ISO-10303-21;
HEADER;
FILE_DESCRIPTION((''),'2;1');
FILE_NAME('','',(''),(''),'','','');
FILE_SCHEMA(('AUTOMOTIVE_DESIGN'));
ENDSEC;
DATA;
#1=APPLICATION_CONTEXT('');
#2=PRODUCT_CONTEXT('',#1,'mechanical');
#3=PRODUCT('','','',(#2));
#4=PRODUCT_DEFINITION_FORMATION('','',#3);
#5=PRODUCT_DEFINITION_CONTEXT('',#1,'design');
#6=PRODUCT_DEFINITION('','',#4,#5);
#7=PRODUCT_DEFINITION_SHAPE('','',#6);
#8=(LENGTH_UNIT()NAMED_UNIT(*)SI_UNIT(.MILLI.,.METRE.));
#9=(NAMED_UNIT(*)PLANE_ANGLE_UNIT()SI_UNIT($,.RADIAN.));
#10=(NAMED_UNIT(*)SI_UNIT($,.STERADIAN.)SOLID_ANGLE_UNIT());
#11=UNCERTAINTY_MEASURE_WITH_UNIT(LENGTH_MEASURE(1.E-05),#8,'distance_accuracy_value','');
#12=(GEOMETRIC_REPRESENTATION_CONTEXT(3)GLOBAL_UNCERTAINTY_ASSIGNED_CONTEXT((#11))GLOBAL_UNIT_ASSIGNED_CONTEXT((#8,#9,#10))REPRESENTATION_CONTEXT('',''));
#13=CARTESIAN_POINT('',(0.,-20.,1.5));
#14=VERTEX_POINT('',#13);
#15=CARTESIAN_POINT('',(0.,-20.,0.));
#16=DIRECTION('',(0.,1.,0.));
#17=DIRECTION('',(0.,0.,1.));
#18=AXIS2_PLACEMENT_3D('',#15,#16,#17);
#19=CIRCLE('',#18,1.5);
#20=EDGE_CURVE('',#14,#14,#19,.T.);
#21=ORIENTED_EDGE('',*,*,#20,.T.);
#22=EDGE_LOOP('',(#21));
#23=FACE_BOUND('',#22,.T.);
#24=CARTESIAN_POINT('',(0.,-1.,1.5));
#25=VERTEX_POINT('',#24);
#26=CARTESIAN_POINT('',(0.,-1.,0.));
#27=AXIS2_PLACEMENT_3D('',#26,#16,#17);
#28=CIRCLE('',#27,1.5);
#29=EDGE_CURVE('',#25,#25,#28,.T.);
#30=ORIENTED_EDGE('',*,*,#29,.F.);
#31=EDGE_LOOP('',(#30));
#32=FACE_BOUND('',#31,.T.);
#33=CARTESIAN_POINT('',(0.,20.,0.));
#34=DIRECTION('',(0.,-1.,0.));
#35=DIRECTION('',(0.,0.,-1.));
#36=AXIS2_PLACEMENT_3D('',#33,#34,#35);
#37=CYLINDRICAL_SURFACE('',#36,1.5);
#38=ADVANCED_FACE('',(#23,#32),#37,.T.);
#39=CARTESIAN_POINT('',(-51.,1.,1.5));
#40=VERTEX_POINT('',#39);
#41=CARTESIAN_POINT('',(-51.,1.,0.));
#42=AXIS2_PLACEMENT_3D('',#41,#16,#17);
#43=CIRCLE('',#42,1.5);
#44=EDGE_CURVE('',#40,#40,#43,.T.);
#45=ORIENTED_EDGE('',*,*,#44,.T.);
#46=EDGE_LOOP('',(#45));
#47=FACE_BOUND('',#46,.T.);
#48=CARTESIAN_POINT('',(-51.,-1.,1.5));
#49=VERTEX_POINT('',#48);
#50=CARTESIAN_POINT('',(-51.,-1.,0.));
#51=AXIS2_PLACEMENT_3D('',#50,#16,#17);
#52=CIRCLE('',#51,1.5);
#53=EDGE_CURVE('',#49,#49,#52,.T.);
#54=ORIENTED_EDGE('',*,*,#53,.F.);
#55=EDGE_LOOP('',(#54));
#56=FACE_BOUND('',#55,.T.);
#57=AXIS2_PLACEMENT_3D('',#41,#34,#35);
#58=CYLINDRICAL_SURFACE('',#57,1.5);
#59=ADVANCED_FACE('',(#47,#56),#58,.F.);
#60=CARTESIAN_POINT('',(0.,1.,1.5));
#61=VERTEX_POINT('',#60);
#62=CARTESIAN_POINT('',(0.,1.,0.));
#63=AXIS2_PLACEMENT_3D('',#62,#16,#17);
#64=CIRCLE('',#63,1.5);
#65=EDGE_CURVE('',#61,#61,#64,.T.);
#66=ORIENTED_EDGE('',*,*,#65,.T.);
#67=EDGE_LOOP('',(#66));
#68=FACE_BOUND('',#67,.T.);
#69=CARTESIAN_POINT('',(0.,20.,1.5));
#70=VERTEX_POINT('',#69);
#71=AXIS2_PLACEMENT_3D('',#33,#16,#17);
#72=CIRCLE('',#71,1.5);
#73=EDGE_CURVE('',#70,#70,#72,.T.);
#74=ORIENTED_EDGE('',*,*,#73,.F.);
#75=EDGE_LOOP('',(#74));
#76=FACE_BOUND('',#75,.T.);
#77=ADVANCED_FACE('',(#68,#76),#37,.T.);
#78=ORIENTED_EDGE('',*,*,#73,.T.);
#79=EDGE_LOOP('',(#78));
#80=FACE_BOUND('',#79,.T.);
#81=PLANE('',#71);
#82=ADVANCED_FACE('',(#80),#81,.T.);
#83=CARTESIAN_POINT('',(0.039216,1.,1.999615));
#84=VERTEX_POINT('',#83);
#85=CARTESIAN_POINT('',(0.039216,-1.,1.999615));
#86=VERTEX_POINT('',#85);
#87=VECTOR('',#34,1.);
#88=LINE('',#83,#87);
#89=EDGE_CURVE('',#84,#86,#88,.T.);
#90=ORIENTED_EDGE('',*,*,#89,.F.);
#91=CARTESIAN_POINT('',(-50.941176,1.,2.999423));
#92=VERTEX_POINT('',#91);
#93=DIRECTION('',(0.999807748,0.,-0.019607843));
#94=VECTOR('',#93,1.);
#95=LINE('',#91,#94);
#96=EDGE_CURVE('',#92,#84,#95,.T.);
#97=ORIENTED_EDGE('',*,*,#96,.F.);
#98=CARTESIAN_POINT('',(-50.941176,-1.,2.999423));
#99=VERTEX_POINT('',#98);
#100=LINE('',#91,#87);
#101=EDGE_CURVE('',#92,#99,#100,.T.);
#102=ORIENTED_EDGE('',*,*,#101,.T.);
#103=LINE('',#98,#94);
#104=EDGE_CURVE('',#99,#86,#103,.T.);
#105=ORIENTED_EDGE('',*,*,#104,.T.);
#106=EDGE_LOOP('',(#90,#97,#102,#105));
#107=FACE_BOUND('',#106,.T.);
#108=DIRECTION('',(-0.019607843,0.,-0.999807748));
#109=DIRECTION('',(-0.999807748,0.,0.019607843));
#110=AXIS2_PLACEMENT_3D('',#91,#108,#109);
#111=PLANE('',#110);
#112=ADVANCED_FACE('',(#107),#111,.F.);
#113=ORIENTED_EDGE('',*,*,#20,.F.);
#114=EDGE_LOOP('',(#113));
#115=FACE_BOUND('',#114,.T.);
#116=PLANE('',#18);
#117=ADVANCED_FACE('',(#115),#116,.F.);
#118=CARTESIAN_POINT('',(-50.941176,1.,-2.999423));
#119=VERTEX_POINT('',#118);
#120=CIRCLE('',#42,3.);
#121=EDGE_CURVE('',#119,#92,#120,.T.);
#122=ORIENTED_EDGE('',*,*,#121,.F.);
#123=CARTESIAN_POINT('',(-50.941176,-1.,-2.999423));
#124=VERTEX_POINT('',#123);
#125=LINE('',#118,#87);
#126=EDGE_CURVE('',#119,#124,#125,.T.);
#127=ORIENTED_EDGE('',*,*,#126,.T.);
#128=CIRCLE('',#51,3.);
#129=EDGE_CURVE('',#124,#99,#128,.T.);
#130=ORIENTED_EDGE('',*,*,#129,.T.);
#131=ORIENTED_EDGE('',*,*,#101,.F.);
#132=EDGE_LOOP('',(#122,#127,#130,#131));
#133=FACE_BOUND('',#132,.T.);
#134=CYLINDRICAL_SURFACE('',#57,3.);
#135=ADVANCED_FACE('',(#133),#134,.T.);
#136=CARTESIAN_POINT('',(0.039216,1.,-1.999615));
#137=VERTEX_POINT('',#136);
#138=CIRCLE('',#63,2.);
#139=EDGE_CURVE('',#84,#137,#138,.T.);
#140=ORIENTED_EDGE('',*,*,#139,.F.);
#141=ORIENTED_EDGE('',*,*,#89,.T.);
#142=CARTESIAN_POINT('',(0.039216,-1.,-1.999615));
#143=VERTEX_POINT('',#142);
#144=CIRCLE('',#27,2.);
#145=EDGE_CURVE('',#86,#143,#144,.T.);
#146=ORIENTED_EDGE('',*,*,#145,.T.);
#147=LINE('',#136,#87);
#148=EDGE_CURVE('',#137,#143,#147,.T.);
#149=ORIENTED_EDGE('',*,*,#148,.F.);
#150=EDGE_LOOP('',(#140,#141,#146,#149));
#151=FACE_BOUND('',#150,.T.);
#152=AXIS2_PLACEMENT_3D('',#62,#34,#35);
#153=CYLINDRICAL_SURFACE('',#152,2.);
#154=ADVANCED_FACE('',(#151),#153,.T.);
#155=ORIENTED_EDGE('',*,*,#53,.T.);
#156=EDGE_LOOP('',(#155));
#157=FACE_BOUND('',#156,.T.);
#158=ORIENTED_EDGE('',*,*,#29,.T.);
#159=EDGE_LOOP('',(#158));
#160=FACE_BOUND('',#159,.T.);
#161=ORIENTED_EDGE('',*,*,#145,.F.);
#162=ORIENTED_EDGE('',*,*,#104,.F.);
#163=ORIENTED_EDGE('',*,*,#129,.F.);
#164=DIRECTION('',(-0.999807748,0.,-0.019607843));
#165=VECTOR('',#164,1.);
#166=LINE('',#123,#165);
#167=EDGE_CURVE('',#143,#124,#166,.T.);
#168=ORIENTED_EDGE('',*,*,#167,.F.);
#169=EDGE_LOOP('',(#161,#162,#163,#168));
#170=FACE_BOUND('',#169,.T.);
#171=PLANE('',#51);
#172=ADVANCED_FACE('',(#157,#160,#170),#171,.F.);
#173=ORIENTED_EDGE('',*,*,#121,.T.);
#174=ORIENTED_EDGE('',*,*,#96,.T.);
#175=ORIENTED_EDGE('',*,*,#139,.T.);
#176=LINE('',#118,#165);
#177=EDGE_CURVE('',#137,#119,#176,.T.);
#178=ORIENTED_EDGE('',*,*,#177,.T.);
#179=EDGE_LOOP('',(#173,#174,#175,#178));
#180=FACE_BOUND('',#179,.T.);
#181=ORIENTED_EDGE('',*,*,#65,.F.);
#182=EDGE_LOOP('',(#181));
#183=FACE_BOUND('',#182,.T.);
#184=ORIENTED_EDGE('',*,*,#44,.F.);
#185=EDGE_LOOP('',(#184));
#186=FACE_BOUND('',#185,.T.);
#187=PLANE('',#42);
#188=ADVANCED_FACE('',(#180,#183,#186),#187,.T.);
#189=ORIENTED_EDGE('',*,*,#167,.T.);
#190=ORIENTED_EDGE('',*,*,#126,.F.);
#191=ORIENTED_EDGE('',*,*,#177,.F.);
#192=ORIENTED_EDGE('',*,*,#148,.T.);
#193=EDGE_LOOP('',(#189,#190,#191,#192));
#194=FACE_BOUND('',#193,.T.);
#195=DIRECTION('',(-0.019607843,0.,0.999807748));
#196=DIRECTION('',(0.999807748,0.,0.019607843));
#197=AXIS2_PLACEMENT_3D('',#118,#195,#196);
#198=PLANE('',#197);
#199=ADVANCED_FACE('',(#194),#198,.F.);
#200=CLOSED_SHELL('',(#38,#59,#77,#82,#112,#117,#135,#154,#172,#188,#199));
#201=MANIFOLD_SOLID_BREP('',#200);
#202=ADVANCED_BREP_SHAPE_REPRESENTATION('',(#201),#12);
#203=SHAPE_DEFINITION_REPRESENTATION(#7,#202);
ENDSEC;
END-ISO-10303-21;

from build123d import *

# Parameters (mm, degrees)
SKETCH1_R           = 1.5
BOSS_EXTRUDE1_DEPTH = 20
SKETCH2_R           = 1.5
BOSS_EXTRUDE2_DEPTH = 1


with BuildPart() as part:
    # Sketch1 → Boss-Extrude1 (new, symmetric)
    with BuildSketch(Plane(origin=(0, 0, 0), x_dir=(1, 0, 0), z_dir=(0, 1, 0))):
        with Locations(Location((0, 0, 0), (0, 0, 270))):
            Circle(SKETCH1_R)
    extrude(amount=BOSS_EXTRUDE1_DEPTH, both=True)

    # Sketch2 → Boss-Extrude2 (add, symmetric)
    with BuildSketch(Plane(origin=(0, 0, 0), x_dir=(1, 0, 0), z_dir=(0, 1, 0))):
        with BuildLine():
            Line((-50.941176471, 2.999423243), (0.039215686, 1.999615496))
            ThreePointArc((0.039215686, 1.999615496), (2, 0), (0.039215686, -1.999615496))
            Line((0.039215686, -1.999615496), (-50.941176471, -2.999423243))
            ThreePointArc((-50.941176471, -2.999423243), (-54, 0), (-50.941176471, 2.999423243))
        make_face()
        with Locations(Location((-51, 0, 0), (0, 0, 270))):
            Circle(SKETCH2_R, mode=Mode.SUBTRACT)
    extrude(amount=BOSS_EXTRUDE2_DEPTH, both=True)


solid = part.part
